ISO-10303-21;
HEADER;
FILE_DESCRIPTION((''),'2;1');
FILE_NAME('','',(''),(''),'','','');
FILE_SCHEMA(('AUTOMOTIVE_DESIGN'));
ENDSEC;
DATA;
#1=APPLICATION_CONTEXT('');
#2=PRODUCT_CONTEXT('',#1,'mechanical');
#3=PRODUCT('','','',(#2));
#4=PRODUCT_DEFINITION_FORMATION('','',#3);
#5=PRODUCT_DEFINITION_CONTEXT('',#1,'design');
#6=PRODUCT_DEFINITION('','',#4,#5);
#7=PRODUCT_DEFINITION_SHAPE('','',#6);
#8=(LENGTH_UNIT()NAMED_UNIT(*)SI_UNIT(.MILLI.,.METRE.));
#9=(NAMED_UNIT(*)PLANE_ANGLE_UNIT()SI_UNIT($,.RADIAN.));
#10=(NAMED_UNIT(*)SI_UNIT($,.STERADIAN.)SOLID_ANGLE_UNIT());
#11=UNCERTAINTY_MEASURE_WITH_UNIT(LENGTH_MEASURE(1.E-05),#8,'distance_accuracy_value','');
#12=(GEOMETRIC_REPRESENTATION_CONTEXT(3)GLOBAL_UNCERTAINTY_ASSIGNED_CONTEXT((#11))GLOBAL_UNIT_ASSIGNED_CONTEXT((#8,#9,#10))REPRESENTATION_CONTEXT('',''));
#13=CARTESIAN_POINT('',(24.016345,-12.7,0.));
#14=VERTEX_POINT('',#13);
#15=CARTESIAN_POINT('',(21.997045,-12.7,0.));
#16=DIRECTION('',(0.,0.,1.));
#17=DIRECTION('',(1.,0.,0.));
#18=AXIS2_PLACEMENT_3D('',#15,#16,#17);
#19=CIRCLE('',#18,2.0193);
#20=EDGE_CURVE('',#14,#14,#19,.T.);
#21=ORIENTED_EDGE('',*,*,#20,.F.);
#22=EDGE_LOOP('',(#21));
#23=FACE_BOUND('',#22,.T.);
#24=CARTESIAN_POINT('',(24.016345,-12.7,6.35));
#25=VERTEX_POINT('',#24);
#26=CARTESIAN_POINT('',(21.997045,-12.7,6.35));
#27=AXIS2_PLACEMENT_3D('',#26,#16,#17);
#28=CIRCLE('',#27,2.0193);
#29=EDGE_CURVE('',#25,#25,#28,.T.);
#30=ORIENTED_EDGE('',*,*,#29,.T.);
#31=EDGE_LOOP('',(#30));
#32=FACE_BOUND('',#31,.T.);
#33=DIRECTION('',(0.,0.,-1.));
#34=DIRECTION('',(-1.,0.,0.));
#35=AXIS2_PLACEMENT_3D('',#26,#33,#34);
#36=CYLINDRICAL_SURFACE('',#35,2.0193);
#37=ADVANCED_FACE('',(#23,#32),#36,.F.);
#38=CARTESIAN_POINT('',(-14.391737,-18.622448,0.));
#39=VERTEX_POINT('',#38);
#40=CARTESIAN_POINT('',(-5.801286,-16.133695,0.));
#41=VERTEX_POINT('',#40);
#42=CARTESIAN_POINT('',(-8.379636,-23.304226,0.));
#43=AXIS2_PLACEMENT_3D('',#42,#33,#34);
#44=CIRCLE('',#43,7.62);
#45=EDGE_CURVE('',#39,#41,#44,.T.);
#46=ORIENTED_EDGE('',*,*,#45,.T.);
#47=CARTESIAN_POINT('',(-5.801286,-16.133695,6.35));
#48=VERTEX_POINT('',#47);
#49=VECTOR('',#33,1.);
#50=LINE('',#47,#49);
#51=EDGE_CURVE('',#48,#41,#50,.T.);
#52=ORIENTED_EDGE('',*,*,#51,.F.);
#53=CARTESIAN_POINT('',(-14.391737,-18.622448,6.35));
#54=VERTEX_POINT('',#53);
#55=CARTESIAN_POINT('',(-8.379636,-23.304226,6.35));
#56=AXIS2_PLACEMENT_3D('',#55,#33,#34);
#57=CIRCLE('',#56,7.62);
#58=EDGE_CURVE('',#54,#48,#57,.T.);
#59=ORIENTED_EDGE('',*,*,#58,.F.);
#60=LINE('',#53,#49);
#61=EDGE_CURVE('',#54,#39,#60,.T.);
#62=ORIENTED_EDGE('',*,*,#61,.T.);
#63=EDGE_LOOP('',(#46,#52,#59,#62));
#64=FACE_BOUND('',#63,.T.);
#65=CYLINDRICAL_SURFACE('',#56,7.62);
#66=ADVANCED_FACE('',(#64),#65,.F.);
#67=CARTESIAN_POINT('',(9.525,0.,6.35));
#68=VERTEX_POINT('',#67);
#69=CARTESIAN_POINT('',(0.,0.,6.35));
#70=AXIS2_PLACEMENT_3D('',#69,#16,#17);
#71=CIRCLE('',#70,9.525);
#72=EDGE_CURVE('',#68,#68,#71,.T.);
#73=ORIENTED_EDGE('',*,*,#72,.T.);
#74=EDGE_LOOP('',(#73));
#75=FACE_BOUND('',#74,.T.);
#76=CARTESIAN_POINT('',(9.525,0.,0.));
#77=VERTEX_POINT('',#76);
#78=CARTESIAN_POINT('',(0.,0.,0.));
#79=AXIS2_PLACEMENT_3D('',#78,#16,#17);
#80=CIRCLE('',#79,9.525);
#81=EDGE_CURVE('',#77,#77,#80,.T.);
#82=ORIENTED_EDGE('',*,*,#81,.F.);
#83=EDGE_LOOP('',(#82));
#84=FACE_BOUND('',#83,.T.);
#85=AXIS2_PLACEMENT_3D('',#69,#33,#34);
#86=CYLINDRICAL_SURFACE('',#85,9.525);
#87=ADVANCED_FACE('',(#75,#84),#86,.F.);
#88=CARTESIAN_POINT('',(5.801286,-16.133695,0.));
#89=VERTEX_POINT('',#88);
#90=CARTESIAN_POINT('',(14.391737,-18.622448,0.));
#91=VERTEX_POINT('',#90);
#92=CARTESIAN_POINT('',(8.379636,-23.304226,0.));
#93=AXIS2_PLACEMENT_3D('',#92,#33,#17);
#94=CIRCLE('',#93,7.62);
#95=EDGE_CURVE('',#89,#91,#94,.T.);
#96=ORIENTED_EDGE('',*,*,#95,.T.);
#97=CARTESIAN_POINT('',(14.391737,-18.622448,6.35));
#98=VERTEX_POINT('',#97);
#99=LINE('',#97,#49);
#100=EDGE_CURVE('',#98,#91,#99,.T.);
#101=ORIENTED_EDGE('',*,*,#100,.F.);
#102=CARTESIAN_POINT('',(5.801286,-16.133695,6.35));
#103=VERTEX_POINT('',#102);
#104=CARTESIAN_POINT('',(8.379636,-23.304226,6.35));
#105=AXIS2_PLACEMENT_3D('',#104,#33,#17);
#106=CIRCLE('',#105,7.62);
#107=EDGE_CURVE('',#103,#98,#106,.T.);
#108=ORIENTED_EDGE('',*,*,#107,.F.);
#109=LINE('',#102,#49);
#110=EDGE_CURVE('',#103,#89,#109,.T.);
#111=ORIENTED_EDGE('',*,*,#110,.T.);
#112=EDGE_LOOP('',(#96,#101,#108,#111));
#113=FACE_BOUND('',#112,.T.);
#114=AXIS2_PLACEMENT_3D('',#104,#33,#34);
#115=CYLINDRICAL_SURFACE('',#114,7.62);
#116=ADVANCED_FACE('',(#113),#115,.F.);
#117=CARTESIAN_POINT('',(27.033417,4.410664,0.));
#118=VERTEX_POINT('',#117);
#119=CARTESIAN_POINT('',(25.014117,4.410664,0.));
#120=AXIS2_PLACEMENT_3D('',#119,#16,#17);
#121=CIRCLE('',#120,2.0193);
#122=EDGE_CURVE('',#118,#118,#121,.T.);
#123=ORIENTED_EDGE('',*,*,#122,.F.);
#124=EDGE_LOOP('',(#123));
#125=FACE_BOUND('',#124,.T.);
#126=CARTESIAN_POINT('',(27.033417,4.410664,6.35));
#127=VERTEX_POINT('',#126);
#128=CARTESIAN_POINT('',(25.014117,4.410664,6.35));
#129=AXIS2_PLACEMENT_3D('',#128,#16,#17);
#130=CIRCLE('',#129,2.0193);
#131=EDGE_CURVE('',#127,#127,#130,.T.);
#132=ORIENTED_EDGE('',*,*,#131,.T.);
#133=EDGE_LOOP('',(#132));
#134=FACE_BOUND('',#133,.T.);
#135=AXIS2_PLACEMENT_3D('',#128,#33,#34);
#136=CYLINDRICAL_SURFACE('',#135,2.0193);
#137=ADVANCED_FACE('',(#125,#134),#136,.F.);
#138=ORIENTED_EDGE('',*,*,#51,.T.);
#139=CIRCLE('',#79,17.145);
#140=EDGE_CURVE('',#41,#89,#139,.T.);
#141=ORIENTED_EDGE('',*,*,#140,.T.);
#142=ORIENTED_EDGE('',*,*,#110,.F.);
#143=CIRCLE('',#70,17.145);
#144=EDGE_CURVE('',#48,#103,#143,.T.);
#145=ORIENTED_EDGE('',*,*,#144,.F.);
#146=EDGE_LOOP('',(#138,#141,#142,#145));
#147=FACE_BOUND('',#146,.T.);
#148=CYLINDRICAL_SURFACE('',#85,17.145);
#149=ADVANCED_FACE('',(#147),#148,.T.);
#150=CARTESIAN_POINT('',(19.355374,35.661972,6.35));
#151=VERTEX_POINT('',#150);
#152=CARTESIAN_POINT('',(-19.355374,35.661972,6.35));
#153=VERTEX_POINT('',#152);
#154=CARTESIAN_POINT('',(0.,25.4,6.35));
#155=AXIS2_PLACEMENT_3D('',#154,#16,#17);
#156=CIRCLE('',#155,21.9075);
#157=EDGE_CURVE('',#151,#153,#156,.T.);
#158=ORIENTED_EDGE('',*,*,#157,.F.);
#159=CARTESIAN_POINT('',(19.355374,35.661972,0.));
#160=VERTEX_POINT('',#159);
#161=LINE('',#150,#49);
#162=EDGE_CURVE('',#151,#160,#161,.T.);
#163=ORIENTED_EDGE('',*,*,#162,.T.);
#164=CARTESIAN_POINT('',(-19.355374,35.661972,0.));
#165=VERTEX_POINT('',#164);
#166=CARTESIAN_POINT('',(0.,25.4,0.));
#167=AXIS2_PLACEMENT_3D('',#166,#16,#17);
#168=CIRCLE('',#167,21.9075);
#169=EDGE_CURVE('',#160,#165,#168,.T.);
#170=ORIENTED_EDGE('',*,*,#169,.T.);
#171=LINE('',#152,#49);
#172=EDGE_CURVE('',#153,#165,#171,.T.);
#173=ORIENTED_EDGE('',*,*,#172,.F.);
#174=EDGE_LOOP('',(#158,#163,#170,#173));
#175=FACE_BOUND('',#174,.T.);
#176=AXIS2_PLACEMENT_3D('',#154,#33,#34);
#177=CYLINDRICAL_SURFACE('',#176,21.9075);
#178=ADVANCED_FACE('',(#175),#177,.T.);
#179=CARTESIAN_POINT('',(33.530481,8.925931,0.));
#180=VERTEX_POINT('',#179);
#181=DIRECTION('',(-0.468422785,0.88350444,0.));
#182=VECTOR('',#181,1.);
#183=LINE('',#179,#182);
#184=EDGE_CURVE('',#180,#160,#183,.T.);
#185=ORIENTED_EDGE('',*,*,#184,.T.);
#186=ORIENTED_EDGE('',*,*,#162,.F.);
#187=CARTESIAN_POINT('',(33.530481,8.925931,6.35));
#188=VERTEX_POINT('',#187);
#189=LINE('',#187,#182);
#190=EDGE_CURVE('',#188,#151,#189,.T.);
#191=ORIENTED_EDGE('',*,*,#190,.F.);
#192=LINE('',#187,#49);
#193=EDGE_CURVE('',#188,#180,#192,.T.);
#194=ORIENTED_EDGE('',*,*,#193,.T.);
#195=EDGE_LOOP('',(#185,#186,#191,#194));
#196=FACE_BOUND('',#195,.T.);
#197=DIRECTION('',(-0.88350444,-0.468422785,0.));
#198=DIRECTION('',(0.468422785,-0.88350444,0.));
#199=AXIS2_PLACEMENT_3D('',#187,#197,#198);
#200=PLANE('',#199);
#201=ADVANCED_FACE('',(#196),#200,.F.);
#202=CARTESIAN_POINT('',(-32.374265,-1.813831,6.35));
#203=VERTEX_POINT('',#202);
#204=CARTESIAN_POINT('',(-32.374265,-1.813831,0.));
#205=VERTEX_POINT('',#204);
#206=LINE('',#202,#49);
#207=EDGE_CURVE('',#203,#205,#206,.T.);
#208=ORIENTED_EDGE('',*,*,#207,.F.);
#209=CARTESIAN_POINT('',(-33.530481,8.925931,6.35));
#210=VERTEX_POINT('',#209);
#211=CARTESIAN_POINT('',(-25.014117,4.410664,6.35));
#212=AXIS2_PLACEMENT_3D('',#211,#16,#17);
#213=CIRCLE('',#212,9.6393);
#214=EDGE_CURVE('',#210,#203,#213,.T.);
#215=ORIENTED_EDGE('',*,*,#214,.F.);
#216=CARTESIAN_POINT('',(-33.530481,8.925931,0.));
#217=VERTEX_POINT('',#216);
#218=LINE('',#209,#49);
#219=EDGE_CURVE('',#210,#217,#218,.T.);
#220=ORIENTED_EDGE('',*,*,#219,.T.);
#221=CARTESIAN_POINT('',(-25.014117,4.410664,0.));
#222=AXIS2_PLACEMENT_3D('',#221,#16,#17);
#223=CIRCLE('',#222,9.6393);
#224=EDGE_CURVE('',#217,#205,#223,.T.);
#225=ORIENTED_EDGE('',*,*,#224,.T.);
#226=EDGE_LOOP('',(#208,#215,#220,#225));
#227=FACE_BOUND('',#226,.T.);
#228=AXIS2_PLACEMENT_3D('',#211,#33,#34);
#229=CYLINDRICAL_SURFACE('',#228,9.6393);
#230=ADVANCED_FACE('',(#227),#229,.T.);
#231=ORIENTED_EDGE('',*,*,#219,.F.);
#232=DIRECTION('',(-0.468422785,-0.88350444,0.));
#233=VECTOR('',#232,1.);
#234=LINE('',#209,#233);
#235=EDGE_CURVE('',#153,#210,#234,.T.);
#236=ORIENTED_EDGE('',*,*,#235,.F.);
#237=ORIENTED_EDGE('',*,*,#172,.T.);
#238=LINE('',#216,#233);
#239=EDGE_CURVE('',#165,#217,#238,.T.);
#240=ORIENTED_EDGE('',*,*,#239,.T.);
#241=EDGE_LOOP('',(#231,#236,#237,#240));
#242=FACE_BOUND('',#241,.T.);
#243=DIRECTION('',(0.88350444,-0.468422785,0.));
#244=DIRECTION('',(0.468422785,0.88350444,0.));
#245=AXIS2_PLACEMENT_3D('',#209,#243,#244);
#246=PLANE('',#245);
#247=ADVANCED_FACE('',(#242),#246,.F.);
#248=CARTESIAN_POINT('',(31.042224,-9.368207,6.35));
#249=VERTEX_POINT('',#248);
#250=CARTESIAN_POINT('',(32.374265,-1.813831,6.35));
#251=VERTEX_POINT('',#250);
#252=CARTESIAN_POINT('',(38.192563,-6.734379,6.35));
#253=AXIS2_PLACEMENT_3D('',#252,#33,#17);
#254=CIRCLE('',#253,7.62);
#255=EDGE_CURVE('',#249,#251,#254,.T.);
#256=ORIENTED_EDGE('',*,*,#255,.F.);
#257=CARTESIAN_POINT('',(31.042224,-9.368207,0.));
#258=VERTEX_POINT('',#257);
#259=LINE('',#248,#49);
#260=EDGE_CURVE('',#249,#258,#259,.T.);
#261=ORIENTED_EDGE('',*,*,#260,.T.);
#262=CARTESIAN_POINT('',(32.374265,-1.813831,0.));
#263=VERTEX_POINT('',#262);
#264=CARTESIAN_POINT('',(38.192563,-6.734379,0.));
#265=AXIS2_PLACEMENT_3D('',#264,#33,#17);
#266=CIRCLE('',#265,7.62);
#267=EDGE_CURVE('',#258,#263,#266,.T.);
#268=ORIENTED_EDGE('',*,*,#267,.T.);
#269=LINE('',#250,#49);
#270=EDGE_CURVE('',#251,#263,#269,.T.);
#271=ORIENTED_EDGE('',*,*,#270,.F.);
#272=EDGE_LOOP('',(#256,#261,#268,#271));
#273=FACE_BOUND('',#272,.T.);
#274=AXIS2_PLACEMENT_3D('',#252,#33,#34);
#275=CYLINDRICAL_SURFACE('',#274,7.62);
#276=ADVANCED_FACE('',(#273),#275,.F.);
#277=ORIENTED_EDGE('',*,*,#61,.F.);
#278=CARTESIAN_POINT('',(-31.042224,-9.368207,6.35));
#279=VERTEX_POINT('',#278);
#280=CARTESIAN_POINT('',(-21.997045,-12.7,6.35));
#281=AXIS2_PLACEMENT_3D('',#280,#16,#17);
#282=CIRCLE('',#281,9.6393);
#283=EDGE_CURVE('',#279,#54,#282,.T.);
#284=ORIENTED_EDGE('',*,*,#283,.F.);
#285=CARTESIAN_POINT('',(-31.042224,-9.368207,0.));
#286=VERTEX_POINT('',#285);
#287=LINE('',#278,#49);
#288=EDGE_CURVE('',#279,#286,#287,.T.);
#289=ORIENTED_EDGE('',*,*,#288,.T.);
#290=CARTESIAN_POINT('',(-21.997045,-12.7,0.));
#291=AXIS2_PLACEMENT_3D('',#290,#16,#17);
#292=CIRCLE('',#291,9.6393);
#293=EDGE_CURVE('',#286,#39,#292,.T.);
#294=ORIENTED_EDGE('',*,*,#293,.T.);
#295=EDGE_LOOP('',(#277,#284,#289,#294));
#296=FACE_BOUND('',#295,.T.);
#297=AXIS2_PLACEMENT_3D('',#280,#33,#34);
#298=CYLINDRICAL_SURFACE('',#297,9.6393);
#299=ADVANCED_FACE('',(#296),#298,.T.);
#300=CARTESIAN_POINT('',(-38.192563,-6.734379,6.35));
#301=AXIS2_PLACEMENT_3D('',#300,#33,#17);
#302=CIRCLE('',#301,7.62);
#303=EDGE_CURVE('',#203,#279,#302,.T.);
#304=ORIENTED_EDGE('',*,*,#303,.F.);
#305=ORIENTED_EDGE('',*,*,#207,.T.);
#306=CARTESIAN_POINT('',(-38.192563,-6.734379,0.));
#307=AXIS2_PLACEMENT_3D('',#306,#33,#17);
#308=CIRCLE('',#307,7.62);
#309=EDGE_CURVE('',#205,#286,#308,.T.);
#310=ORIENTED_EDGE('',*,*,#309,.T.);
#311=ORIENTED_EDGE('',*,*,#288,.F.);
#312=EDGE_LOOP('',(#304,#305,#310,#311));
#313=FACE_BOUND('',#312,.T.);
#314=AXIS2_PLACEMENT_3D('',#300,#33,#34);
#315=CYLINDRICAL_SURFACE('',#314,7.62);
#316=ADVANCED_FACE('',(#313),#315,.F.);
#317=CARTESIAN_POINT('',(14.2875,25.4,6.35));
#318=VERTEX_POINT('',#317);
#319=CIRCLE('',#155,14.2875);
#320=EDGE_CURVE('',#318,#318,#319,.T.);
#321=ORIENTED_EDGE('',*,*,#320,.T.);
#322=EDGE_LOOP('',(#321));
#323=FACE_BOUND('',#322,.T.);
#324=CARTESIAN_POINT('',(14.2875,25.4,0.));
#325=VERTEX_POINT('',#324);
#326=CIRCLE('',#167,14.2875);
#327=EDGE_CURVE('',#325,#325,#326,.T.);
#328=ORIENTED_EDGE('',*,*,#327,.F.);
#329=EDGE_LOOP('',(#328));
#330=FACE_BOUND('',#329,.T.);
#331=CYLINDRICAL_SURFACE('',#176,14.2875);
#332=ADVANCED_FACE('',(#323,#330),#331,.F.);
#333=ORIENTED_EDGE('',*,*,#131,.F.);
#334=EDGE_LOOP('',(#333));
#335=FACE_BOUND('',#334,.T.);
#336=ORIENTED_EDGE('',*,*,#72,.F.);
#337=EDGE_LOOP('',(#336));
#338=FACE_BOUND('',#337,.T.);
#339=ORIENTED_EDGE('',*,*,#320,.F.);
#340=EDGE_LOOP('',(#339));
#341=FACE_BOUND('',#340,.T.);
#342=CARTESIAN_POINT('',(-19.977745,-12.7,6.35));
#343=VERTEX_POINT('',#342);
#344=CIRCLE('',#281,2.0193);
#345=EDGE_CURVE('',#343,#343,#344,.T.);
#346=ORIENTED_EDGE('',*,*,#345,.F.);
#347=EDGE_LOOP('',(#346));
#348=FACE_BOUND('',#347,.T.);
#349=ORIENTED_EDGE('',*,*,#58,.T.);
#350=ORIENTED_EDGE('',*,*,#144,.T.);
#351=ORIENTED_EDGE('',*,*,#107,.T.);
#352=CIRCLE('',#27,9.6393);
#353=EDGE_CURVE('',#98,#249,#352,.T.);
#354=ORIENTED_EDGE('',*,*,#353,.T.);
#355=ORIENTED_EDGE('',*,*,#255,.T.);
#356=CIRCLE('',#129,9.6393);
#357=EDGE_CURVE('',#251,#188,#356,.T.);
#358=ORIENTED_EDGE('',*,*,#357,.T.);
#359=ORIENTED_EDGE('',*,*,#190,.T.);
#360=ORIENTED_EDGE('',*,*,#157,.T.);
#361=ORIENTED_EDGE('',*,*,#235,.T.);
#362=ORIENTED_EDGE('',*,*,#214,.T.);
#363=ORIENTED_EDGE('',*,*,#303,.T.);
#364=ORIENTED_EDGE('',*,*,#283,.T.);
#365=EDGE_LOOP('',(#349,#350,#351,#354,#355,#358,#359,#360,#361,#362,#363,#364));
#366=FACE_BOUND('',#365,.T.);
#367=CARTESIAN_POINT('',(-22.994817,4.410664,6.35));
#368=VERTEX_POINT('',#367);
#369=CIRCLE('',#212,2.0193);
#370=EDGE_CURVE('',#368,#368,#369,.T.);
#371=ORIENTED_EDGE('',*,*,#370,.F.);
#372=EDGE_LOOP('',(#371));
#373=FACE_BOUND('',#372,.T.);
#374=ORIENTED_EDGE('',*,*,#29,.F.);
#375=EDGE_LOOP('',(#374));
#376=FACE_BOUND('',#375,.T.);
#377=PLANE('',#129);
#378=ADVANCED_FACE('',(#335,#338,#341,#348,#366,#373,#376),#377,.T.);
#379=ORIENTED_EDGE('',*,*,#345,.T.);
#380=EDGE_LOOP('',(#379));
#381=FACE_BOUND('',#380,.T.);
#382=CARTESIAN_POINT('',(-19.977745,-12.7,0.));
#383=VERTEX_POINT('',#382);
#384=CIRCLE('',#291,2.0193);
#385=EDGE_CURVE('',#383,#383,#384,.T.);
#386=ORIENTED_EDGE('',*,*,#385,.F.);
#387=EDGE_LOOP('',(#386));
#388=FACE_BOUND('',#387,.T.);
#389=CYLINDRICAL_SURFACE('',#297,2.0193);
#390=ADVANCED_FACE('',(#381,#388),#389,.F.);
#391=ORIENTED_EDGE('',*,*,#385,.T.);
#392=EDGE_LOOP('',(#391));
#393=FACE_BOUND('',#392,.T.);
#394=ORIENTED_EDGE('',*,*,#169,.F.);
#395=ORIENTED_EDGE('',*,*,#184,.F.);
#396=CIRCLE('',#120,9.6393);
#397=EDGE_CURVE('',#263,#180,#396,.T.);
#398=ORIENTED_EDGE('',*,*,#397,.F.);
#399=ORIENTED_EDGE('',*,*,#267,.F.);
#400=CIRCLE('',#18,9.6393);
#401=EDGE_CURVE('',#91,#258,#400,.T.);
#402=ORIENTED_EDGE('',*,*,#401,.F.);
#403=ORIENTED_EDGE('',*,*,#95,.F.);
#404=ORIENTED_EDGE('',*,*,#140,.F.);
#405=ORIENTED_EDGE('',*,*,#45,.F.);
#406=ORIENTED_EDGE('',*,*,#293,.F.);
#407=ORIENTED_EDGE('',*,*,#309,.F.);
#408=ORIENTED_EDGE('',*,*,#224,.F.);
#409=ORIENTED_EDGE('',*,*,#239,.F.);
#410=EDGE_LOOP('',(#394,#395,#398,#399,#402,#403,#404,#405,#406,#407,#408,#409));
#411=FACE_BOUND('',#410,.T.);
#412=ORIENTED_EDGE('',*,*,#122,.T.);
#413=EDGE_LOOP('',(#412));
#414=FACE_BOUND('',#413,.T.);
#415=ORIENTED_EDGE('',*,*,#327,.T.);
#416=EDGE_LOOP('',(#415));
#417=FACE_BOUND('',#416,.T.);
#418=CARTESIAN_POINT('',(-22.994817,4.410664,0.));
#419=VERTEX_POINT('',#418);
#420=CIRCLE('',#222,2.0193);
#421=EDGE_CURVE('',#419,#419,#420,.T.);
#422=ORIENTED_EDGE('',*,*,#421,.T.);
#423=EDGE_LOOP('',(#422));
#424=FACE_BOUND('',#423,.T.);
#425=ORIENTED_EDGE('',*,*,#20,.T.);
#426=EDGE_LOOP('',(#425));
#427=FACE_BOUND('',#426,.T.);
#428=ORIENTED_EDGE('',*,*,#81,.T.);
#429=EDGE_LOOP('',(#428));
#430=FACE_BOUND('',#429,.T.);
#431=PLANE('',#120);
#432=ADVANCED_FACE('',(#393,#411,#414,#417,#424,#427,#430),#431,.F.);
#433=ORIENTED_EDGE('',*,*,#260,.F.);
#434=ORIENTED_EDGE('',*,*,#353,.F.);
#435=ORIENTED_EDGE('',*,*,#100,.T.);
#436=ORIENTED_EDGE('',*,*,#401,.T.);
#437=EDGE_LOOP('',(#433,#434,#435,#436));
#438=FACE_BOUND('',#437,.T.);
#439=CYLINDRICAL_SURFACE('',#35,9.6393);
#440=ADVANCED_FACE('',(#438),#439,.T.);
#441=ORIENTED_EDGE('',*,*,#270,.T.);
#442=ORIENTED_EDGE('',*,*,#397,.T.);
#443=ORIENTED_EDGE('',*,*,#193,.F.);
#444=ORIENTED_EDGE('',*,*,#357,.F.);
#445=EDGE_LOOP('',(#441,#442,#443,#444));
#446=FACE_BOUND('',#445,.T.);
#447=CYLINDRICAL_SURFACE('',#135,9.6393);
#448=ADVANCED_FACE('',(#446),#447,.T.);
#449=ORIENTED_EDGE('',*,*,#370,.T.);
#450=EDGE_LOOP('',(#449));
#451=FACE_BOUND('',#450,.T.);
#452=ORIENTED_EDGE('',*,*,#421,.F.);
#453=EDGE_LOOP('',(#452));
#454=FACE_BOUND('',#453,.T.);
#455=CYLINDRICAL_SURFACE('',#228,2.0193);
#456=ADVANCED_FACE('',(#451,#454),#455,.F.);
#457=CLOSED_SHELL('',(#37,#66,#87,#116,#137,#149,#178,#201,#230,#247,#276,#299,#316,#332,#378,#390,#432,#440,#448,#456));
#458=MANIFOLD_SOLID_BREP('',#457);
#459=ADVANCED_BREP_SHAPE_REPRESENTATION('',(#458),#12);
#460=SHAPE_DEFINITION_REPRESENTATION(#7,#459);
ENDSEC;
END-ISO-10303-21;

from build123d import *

# Parameters (mm, degrees)
SKETCH1_R           = 2.0193
SKETCH1_R_2         = 14.2875
SKETCH1_R_3         = 9.525
BOSS_EXTRUDE1_DEPTH = 6.35


with BuildPart() as part:
    # Sketch1 → Boss-Extrude1 (new body)
    with BuildSketch(Plane.XY):
        with BuildLine():
            Line((-33.53048127, 8.925931463), (-19.355373509, 35.661972159))
            ThreePointArc((-19.355373509, 35.661972159), (0, 47.3075), (19.355373509, 35.661972159))
            Line((19.355373509, 35.661972159), (33.53048127, 8.925931463))
            ThreePointArc((33.53048127, 8.925931463), (34.598037392, 3.378882244), (32.374264723, -1.813830556))
            ThreePointArc((32.374264723, -1.813830556), (30.688328298, -5.411180272), (31.04222425, -9.368207471))
            ThreePointArc((31.04222425, -9.368207471), (26.679838242, -21.125411227), (14.391737161, -18.62244825))
            ThreePointArc((14.391737161, -18.62244825), (10.500045405, -15.985191191), (5.801286392, -16.133694592))
            ThreePointArc((5.801286392, -16.133694592), (0, -17.145), (-5.801286392, -16.133694592))
            ThreePointArc((-5.801286392, -16.133694592), (-10.500045405, -15.985191191), (-14.391737161, -18.62244825))
            ThreePointArc((-14.391737161, -18.62244825), (-26.679838242, -21.125411227), (-31.04222425, -9.368207471))
            ThreePointArc((-31.04222425, -9.368207471), (-30.688328298, -5.411180272), (-32.374264723, -1.813830556))
            ThreePointArc((-32.374264723, -1.813830556), (-34.598037392, 3.378882244), (-33.53048127, 8.925931463))
        make_face()
        with Locations((25.014116927, 4.410663713)):
            Circle(SKETCH1_R, mode=Mode.SUBTRACT)
        with Locations((21.997045256, -12.7)):
            Circle(SKETCH1_R, mode=Mode.SUBTRACT)
        with Locations((-21.997045256, -12.7)):
            Circle(SKETCH1_R, mode=Mode.SUBTRACT)
        with Locations((-25.014116927, 4.410663713)):
            Circle(SKETCH1_R, mode=Mode.SUBTRACT)
        with Locations((0, 25.4)):
            Circle(SKETCH1_R_2, mode=Mode.SUBTRACT)
        Circle(SKETCH1_R_3, mode=Mode.SUBTRACT)
    extrude(amount=BOSS_EXTRUDE1_DEPTH)


solid = part.part
